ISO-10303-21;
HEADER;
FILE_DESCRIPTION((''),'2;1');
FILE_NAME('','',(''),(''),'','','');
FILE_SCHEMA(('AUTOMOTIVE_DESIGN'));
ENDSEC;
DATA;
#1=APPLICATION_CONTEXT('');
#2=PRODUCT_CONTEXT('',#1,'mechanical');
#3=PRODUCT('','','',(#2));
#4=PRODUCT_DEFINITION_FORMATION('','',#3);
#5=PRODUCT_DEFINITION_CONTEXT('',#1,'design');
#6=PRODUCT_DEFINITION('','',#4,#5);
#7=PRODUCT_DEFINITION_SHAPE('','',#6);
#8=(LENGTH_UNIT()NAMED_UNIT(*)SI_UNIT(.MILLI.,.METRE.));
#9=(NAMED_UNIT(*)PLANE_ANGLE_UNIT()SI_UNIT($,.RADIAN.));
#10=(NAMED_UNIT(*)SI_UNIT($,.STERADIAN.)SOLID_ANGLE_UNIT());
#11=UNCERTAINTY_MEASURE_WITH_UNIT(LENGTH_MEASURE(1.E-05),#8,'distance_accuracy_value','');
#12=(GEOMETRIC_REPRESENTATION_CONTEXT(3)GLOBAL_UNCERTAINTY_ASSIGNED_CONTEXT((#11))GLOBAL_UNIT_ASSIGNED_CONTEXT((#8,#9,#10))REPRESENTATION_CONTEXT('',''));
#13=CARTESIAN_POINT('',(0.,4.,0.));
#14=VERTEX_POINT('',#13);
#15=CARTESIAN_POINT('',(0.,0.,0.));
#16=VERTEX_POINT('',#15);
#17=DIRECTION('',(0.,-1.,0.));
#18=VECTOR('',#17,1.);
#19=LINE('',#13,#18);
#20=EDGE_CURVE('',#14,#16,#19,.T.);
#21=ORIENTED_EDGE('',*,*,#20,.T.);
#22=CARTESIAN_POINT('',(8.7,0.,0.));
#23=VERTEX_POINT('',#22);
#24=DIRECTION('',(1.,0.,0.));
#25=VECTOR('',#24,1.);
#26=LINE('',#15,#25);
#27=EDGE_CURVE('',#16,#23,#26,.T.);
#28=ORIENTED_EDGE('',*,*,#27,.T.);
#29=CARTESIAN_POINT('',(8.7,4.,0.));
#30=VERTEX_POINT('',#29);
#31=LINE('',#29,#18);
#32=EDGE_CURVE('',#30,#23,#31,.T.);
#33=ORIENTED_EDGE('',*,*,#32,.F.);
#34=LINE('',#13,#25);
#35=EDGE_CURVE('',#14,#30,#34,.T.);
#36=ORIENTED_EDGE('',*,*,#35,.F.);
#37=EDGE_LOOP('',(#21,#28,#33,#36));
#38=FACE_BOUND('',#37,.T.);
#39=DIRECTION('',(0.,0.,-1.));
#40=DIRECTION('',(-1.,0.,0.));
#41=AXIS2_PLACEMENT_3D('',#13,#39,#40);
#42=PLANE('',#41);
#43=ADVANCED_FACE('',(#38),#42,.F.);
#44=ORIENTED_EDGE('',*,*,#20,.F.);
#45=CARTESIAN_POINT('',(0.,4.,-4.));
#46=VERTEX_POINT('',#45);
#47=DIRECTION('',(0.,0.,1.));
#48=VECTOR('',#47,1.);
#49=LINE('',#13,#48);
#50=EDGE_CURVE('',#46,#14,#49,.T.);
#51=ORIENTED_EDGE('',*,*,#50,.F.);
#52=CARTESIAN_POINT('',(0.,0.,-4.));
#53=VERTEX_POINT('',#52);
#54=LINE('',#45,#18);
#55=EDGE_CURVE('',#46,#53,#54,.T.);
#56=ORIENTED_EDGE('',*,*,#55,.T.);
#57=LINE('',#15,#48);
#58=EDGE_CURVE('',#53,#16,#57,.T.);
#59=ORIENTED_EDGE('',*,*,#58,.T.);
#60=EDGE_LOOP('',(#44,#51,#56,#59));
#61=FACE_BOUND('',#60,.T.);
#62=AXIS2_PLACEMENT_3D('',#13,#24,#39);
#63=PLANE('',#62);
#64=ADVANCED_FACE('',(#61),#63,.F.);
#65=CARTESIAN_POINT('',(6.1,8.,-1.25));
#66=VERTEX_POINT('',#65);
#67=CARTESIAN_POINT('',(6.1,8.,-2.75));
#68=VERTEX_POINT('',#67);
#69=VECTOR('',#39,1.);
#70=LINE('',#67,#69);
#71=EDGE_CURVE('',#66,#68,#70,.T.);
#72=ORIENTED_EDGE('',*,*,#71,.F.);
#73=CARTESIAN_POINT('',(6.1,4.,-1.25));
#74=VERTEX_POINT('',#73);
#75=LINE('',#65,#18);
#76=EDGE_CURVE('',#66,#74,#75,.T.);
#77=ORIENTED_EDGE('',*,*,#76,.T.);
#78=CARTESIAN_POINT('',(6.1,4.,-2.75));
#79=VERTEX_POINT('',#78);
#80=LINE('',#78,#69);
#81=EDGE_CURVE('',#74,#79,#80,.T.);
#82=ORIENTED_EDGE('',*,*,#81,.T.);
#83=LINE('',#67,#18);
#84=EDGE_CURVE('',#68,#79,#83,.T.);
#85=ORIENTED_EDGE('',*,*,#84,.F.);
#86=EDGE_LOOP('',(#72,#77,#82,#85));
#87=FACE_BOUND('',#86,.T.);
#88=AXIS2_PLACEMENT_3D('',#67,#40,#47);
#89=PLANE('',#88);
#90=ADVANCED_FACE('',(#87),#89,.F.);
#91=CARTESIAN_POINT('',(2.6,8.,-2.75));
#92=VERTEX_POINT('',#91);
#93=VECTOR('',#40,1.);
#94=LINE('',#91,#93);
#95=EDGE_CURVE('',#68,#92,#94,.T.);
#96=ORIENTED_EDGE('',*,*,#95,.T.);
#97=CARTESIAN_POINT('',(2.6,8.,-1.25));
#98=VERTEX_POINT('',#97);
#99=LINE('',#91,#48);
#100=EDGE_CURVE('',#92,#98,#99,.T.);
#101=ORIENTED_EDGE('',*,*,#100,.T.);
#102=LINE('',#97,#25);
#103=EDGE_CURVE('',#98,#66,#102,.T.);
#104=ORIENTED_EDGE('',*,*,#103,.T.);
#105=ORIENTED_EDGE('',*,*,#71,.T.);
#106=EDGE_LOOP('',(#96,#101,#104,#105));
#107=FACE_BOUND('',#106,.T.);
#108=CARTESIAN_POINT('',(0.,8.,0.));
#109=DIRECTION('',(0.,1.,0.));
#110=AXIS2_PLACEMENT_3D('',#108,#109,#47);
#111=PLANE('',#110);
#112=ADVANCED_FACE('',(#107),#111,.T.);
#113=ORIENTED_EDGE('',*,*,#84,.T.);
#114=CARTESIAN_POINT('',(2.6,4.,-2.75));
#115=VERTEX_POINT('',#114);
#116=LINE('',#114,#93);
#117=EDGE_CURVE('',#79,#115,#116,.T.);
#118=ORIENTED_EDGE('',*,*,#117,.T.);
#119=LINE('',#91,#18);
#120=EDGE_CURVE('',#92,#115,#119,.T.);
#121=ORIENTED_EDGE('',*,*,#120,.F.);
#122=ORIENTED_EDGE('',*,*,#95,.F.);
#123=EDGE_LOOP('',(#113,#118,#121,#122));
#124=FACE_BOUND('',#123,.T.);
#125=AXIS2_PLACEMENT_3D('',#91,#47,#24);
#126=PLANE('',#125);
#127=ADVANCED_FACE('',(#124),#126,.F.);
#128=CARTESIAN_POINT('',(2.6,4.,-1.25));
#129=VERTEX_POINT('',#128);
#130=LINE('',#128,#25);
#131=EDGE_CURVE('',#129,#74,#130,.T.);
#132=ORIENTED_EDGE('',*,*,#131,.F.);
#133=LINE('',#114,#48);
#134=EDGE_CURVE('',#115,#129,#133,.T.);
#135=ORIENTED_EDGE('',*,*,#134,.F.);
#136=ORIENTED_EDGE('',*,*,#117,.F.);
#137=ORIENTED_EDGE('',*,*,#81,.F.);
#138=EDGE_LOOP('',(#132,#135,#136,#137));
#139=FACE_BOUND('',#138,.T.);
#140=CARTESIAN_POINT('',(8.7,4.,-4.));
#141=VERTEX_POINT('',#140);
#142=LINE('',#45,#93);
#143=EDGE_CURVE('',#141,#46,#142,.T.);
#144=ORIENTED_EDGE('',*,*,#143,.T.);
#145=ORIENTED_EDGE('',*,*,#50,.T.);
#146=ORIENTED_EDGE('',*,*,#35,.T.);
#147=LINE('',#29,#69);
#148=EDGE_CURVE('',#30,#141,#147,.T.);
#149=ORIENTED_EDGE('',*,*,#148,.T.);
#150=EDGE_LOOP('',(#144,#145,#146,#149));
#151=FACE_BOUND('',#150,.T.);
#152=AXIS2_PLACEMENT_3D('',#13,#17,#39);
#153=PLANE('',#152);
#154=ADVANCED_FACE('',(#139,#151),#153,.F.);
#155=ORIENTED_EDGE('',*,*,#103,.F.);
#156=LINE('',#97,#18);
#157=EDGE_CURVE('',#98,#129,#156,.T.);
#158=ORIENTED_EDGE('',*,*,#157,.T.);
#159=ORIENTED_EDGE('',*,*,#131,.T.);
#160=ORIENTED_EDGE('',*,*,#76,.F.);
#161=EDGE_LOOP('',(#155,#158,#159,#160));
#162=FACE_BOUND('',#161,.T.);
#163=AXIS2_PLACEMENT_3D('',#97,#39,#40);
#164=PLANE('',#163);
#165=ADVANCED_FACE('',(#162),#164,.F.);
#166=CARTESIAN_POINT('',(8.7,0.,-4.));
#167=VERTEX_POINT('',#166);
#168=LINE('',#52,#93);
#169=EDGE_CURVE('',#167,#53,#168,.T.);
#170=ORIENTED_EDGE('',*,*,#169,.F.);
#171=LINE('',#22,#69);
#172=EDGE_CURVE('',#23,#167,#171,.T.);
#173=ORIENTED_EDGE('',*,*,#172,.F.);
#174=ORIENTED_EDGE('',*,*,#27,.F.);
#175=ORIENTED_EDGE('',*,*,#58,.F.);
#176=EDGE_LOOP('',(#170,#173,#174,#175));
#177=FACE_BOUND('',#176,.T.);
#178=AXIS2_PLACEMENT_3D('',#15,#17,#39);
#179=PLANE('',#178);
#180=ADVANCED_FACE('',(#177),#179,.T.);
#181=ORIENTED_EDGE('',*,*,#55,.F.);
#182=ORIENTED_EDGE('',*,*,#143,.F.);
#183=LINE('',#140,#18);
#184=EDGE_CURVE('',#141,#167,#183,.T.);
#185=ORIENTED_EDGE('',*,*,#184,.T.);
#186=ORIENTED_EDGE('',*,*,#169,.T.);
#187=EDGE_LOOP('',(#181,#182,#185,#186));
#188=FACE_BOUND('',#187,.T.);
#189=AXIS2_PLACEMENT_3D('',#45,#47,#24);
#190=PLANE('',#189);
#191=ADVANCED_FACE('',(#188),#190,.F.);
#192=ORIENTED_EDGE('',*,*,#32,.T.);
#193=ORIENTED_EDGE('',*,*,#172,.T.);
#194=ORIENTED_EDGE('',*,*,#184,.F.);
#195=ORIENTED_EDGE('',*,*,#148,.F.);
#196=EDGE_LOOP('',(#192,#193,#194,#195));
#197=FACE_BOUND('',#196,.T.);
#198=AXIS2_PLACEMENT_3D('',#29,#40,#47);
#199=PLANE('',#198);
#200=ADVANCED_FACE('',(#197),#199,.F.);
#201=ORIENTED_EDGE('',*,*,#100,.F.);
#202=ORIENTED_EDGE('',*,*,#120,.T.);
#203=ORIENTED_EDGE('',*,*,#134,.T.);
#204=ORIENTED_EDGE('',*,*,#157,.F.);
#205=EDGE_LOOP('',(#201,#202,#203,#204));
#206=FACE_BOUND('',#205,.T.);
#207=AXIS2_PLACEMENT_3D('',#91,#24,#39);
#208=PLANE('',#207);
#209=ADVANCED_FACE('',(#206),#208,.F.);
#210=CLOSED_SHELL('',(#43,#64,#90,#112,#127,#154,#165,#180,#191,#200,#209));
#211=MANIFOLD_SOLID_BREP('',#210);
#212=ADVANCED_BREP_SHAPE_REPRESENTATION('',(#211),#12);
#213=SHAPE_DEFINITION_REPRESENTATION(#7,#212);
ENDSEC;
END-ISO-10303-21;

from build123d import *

# Parameters (mm, degrees)
SKETCH1_W           = 8.7
SKETCH1_H           = 4
BOSS_EXTRUDE1_DEPTH = 4
SKETCH2_W           = 3.5
SKETCH2_H           = 1.5
BOSS_EXTRUDE2_DEPTH = 4


with BuildPart() as part:
    # Sketch1 → Boss-Extrude1 (new body)
    with BuildSketch(Plane(origin=(0, 0, 0), x_dir=(1, 0, 0), z_dir=(0, 1, 0))):
        with Locations((4.35, 2)):
            Rectangle(SKETCH1_W, SKETCH1_H)
    extrude(amount=BOSS_EXTRUDE1_DEPTH)

    # Sketch2 → Boss-Extrude2 (add)
    with BuildSketch(Plane(origin=(0, 4, 0), x_dir=(1, 0, 0), z_dir=(0, 1, 0))):
        with Locations((4.35, 2)):
            Rectangle(SKETCH2_W, SKETCH2_H)
    extrude(amount=BOSS_EXTRUDE2_DEPTH)


solid = part.part
